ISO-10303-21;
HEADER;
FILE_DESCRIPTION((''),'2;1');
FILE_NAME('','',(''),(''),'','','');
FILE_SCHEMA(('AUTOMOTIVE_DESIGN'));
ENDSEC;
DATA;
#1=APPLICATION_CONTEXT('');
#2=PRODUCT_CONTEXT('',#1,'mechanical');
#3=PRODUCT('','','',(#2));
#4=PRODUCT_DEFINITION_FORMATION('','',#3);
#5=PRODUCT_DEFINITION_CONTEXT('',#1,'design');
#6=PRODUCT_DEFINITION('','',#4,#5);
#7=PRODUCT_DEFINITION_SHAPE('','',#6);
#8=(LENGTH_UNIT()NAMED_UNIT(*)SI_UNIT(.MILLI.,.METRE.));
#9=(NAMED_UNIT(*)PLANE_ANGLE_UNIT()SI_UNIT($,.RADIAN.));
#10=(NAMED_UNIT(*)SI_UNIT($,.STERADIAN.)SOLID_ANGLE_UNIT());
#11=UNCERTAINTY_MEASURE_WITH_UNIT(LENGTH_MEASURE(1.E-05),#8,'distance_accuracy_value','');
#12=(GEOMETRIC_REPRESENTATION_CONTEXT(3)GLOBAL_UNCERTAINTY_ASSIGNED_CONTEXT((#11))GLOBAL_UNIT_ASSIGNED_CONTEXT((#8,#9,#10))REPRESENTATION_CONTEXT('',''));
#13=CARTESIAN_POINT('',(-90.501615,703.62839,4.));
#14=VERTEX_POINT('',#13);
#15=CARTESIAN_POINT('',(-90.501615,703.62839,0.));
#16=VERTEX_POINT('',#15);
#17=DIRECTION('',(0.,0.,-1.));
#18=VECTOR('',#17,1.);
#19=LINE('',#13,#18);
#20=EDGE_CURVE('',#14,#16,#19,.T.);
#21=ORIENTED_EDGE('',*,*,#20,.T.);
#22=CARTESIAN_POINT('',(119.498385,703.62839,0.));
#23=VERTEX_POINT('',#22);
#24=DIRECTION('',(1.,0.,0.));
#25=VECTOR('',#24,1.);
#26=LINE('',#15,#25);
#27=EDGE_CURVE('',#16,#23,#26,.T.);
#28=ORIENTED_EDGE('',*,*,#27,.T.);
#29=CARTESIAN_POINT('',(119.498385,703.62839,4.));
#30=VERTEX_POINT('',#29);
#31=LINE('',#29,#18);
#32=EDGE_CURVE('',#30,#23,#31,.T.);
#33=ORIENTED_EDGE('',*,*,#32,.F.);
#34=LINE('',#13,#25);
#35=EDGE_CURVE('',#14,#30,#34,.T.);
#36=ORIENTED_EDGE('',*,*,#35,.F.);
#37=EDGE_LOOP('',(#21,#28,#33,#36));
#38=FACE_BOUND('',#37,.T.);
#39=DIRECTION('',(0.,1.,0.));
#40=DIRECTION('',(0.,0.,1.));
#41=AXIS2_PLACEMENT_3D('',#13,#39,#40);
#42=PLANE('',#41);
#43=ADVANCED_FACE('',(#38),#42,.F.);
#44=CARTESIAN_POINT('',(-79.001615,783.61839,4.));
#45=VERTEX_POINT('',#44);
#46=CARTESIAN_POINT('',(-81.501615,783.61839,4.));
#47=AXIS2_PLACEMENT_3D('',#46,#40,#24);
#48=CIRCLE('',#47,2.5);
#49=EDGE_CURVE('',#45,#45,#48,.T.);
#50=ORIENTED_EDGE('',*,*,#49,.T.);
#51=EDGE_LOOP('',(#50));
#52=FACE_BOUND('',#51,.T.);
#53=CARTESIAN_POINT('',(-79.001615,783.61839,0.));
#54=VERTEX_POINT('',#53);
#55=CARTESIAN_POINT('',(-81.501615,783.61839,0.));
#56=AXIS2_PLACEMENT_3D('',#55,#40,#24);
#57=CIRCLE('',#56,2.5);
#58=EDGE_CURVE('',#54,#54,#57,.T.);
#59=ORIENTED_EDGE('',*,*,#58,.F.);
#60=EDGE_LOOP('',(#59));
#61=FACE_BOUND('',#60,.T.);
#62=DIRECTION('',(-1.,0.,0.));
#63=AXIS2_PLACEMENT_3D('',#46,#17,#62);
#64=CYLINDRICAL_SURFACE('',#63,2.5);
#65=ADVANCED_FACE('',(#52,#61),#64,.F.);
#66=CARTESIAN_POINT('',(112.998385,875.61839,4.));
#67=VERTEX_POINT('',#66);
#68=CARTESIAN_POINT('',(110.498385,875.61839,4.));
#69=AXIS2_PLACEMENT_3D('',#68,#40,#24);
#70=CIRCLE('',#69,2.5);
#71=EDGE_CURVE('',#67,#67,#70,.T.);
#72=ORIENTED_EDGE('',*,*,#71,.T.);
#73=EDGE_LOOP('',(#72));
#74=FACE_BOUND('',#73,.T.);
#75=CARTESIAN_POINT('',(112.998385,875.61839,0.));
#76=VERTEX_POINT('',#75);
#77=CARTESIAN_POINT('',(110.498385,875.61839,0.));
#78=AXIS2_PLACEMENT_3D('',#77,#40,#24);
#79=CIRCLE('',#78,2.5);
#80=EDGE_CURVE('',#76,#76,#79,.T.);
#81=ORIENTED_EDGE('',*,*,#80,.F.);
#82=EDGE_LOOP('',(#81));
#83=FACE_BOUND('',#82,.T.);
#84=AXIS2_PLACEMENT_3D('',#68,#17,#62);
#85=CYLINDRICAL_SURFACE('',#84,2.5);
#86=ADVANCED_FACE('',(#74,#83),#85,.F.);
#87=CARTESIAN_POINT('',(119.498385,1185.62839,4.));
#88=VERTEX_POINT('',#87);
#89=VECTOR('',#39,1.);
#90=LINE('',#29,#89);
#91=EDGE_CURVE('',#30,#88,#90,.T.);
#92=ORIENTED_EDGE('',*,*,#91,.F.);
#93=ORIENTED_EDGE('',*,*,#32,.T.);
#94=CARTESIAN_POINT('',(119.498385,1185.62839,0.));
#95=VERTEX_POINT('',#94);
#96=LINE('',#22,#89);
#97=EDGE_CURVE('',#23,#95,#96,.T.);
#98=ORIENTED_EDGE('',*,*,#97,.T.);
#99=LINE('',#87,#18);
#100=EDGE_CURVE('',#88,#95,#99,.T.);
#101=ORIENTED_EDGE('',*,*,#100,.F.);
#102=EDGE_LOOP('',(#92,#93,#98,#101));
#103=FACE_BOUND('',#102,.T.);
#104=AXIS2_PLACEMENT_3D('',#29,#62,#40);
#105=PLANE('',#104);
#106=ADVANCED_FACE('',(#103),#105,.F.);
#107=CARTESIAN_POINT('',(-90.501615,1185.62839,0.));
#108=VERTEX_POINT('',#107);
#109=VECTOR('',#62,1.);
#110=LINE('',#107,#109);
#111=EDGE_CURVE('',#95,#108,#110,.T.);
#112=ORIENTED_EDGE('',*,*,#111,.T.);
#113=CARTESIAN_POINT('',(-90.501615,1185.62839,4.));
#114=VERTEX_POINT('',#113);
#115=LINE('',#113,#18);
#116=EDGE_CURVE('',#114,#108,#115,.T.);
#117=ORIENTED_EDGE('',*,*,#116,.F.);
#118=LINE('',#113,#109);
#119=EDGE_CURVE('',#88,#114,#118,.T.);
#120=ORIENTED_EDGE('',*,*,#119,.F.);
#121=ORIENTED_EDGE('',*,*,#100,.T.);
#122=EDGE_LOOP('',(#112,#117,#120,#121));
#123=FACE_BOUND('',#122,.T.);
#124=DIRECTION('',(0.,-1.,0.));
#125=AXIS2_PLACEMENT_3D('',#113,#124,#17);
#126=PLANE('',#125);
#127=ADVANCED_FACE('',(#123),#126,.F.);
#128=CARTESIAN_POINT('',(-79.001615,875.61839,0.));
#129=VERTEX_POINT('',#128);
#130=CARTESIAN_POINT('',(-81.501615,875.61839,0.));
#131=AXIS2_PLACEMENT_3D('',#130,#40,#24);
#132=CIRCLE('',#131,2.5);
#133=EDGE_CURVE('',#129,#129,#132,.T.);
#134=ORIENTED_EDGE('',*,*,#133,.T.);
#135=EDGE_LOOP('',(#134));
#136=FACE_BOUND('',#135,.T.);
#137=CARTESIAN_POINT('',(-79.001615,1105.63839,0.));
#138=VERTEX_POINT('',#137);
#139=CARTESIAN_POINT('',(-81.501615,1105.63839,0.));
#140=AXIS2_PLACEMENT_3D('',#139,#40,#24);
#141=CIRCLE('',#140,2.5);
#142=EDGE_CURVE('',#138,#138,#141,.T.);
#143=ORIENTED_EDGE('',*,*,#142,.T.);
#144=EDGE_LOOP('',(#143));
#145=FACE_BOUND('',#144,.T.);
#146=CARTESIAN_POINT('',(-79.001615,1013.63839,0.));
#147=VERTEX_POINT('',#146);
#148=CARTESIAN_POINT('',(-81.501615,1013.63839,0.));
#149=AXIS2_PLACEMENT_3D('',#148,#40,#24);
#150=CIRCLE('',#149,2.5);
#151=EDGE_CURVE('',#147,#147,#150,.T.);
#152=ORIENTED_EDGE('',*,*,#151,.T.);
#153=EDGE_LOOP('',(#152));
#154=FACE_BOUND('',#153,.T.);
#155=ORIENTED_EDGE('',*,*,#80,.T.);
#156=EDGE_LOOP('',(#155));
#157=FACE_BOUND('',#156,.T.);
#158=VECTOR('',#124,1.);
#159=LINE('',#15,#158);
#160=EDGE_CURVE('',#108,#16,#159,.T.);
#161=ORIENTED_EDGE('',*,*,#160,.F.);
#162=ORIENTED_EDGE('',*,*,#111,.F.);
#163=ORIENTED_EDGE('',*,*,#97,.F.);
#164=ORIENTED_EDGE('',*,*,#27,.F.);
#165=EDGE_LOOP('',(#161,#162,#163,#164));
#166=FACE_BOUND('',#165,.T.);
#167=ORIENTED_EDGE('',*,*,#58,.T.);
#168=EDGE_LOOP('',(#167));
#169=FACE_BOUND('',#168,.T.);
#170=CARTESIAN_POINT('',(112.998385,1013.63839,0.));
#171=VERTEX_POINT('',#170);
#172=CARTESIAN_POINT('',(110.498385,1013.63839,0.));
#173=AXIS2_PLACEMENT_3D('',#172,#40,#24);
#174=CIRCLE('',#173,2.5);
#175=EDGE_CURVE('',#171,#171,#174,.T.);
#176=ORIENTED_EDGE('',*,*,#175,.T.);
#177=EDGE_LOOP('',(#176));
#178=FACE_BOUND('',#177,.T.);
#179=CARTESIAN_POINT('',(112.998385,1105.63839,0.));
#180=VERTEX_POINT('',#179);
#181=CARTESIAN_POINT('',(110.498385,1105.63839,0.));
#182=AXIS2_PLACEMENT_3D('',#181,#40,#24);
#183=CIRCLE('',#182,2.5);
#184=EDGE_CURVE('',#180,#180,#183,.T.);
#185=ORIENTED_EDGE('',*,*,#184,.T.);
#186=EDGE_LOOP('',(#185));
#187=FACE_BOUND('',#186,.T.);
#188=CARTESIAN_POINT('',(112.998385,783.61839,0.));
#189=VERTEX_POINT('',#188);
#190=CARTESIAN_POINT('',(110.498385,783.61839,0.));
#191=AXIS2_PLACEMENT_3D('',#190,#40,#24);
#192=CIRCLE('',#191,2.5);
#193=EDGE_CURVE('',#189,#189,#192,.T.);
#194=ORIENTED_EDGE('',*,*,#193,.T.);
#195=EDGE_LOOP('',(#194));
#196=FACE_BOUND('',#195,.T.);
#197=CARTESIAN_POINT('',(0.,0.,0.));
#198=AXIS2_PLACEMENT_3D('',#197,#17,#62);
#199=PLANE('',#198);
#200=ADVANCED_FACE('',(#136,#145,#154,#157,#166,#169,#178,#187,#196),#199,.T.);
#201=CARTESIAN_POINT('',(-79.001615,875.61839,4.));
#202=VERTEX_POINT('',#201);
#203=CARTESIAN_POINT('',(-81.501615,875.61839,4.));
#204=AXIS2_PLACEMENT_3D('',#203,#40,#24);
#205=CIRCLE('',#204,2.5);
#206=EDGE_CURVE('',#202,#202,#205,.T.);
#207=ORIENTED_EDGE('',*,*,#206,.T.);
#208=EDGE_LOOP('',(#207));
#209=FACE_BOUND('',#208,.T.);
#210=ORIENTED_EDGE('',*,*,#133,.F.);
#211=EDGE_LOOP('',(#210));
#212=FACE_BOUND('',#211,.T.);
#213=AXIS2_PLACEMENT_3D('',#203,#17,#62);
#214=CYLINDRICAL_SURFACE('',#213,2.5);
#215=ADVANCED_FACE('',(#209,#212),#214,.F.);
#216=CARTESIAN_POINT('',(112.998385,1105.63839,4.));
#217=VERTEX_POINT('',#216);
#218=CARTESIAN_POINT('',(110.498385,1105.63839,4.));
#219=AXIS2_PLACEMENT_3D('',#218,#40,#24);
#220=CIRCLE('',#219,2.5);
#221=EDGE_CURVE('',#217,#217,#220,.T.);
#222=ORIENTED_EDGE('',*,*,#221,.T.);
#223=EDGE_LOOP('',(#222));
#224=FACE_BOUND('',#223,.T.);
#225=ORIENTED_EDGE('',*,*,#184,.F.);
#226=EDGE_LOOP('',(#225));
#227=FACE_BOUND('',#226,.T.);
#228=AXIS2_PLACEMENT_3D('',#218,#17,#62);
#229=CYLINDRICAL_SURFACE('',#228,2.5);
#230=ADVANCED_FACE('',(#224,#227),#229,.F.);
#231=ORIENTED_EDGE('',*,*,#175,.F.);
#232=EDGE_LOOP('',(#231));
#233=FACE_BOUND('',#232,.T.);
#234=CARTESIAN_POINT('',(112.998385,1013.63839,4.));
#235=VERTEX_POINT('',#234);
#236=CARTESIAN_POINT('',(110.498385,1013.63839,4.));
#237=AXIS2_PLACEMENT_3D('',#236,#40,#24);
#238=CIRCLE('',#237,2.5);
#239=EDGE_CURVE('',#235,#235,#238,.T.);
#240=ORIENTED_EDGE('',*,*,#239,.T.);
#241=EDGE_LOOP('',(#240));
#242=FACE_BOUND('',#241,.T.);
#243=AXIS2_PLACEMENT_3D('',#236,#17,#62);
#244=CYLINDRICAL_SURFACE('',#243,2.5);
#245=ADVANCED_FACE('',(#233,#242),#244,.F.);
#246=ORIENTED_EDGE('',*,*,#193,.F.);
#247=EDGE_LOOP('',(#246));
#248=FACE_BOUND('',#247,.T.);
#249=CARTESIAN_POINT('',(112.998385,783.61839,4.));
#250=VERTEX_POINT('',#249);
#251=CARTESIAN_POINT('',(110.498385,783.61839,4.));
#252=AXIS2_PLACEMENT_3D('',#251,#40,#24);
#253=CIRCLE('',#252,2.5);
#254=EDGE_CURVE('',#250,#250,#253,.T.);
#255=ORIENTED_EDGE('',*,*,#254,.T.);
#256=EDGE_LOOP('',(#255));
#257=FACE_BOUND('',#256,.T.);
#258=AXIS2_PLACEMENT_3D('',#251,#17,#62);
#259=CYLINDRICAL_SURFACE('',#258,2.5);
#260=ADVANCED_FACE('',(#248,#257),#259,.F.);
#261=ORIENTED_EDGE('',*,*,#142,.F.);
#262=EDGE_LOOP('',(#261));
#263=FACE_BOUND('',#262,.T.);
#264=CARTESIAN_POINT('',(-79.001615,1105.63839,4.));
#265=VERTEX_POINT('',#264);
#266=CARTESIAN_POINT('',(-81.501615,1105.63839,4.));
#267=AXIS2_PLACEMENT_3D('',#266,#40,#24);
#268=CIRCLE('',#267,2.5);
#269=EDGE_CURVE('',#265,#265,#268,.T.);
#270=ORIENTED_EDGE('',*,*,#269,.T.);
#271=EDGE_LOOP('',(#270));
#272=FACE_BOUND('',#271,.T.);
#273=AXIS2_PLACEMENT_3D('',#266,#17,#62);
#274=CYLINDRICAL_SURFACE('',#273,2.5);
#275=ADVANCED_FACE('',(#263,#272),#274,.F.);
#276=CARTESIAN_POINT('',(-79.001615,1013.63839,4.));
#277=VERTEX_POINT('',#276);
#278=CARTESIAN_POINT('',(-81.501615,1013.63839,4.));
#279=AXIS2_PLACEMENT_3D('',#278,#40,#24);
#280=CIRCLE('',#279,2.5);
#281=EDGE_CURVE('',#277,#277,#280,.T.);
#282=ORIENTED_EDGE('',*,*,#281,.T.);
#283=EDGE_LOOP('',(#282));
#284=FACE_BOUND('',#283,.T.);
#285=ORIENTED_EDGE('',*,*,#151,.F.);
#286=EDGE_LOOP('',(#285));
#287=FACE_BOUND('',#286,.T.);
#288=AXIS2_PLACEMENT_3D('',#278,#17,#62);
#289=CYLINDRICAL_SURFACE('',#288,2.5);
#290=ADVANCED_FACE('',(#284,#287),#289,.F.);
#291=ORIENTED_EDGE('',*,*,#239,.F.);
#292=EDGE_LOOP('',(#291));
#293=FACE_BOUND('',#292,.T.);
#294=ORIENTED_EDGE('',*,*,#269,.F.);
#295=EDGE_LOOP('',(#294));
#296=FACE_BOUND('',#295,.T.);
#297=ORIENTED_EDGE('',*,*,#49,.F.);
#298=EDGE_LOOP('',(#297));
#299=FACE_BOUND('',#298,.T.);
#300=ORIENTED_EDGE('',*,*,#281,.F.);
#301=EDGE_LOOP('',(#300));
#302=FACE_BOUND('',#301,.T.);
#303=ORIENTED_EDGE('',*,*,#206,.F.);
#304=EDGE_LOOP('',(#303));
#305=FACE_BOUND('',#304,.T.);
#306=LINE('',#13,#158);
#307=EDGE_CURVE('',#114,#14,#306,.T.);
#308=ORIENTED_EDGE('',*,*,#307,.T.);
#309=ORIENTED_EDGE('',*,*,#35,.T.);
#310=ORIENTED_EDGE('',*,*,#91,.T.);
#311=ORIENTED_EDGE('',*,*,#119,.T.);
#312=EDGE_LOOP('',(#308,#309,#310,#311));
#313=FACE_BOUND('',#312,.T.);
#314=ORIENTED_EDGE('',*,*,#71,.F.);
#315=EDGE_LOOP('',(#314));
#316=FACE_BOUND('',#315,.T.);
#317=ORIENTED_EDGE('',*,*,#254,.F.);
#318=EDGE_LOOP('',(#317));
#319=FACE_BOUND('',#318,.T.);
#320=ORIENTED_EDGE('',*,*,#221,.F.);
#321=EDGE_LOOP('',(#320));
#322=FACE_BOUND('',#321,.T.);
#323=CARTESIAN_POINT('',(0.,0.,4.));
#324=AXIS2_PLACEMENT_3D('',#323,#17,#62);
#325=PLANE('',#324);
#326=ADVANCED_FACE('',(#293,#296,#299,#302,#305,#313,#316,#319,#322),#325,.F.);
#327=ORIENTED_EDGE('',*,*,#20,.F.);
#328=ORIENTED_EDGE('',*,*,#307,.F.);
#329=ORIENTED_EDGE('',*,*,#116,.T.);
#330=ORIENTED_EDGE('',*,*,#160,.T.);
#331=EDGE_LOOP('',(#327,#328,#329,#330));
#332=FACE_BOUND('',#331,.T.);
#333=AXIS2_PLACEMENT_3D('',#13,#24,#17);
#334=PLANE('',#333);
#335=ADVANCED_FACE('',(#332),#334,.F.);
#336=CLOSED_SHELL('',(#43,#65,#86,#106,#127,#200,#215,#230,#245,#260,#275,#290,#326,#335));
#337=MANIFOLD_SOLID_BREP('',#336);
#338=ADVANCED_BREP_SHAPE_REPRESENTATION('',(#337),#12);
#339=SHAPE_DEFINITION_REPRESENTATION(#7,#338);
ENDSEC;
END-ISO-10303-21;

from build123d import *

# Parameters (mm, degrees)
CROQUIS1_W              = 210
CROQUIS1_H              = 482
CROQUIS1_R              = 2.5
SALIENTE_EXTRUIR1_DEPTH = 4


with BuildPart() as part:
    # Croquis1 → Saliente-Extruir1 (new body)
    with BuildSketch(Plane.XY):
        with Locations((14.498385096, 944.628389678)):
            Rectangle(CROQUIS1_W, CROQUIS1_H)
        with Locations((110.498385096, 1105.638389678)):
            Circle(CROQUIS1_R, mode=Mode.SUBTRACT)
        with Locations((-81.501614904, 1105.638389678)):
            Circle(CROQUIS1_R, mode=Mode.SUBTRACT)
        with Locations((-81.501614904, 1013.638389678)):
            Circle(CROQUIS1_R, mode=Mode.SUBTRACT)
        with Locations((110.498385096, 1013.638389678)):
            Circle(CROQUIS1_R, mode=Mode.SUBTRACT)
        with Locations((-81.501614904, 875.618389678)):
            Circle(CROQUIS1_R, mode=Mode.SUBTRACT)
        with Locations((110.498385096, 783.618389678)):
            Circle(CROQUIS1_R, mode=Mode.SUBTRACT)
        with Locations((-81.501614904, 783.618389678)):
            Circle(CROQUIS1_R, mode=Mode.SUBTRACT)
        with Locations((110.498385096, 875.618389678)):
            Circle(CROQUIS1_R, mode=Mode.SUBTRACT)
    extrude(amount=SALIENTE_EXTRUIR1_DEPTH)


solid = part.part
